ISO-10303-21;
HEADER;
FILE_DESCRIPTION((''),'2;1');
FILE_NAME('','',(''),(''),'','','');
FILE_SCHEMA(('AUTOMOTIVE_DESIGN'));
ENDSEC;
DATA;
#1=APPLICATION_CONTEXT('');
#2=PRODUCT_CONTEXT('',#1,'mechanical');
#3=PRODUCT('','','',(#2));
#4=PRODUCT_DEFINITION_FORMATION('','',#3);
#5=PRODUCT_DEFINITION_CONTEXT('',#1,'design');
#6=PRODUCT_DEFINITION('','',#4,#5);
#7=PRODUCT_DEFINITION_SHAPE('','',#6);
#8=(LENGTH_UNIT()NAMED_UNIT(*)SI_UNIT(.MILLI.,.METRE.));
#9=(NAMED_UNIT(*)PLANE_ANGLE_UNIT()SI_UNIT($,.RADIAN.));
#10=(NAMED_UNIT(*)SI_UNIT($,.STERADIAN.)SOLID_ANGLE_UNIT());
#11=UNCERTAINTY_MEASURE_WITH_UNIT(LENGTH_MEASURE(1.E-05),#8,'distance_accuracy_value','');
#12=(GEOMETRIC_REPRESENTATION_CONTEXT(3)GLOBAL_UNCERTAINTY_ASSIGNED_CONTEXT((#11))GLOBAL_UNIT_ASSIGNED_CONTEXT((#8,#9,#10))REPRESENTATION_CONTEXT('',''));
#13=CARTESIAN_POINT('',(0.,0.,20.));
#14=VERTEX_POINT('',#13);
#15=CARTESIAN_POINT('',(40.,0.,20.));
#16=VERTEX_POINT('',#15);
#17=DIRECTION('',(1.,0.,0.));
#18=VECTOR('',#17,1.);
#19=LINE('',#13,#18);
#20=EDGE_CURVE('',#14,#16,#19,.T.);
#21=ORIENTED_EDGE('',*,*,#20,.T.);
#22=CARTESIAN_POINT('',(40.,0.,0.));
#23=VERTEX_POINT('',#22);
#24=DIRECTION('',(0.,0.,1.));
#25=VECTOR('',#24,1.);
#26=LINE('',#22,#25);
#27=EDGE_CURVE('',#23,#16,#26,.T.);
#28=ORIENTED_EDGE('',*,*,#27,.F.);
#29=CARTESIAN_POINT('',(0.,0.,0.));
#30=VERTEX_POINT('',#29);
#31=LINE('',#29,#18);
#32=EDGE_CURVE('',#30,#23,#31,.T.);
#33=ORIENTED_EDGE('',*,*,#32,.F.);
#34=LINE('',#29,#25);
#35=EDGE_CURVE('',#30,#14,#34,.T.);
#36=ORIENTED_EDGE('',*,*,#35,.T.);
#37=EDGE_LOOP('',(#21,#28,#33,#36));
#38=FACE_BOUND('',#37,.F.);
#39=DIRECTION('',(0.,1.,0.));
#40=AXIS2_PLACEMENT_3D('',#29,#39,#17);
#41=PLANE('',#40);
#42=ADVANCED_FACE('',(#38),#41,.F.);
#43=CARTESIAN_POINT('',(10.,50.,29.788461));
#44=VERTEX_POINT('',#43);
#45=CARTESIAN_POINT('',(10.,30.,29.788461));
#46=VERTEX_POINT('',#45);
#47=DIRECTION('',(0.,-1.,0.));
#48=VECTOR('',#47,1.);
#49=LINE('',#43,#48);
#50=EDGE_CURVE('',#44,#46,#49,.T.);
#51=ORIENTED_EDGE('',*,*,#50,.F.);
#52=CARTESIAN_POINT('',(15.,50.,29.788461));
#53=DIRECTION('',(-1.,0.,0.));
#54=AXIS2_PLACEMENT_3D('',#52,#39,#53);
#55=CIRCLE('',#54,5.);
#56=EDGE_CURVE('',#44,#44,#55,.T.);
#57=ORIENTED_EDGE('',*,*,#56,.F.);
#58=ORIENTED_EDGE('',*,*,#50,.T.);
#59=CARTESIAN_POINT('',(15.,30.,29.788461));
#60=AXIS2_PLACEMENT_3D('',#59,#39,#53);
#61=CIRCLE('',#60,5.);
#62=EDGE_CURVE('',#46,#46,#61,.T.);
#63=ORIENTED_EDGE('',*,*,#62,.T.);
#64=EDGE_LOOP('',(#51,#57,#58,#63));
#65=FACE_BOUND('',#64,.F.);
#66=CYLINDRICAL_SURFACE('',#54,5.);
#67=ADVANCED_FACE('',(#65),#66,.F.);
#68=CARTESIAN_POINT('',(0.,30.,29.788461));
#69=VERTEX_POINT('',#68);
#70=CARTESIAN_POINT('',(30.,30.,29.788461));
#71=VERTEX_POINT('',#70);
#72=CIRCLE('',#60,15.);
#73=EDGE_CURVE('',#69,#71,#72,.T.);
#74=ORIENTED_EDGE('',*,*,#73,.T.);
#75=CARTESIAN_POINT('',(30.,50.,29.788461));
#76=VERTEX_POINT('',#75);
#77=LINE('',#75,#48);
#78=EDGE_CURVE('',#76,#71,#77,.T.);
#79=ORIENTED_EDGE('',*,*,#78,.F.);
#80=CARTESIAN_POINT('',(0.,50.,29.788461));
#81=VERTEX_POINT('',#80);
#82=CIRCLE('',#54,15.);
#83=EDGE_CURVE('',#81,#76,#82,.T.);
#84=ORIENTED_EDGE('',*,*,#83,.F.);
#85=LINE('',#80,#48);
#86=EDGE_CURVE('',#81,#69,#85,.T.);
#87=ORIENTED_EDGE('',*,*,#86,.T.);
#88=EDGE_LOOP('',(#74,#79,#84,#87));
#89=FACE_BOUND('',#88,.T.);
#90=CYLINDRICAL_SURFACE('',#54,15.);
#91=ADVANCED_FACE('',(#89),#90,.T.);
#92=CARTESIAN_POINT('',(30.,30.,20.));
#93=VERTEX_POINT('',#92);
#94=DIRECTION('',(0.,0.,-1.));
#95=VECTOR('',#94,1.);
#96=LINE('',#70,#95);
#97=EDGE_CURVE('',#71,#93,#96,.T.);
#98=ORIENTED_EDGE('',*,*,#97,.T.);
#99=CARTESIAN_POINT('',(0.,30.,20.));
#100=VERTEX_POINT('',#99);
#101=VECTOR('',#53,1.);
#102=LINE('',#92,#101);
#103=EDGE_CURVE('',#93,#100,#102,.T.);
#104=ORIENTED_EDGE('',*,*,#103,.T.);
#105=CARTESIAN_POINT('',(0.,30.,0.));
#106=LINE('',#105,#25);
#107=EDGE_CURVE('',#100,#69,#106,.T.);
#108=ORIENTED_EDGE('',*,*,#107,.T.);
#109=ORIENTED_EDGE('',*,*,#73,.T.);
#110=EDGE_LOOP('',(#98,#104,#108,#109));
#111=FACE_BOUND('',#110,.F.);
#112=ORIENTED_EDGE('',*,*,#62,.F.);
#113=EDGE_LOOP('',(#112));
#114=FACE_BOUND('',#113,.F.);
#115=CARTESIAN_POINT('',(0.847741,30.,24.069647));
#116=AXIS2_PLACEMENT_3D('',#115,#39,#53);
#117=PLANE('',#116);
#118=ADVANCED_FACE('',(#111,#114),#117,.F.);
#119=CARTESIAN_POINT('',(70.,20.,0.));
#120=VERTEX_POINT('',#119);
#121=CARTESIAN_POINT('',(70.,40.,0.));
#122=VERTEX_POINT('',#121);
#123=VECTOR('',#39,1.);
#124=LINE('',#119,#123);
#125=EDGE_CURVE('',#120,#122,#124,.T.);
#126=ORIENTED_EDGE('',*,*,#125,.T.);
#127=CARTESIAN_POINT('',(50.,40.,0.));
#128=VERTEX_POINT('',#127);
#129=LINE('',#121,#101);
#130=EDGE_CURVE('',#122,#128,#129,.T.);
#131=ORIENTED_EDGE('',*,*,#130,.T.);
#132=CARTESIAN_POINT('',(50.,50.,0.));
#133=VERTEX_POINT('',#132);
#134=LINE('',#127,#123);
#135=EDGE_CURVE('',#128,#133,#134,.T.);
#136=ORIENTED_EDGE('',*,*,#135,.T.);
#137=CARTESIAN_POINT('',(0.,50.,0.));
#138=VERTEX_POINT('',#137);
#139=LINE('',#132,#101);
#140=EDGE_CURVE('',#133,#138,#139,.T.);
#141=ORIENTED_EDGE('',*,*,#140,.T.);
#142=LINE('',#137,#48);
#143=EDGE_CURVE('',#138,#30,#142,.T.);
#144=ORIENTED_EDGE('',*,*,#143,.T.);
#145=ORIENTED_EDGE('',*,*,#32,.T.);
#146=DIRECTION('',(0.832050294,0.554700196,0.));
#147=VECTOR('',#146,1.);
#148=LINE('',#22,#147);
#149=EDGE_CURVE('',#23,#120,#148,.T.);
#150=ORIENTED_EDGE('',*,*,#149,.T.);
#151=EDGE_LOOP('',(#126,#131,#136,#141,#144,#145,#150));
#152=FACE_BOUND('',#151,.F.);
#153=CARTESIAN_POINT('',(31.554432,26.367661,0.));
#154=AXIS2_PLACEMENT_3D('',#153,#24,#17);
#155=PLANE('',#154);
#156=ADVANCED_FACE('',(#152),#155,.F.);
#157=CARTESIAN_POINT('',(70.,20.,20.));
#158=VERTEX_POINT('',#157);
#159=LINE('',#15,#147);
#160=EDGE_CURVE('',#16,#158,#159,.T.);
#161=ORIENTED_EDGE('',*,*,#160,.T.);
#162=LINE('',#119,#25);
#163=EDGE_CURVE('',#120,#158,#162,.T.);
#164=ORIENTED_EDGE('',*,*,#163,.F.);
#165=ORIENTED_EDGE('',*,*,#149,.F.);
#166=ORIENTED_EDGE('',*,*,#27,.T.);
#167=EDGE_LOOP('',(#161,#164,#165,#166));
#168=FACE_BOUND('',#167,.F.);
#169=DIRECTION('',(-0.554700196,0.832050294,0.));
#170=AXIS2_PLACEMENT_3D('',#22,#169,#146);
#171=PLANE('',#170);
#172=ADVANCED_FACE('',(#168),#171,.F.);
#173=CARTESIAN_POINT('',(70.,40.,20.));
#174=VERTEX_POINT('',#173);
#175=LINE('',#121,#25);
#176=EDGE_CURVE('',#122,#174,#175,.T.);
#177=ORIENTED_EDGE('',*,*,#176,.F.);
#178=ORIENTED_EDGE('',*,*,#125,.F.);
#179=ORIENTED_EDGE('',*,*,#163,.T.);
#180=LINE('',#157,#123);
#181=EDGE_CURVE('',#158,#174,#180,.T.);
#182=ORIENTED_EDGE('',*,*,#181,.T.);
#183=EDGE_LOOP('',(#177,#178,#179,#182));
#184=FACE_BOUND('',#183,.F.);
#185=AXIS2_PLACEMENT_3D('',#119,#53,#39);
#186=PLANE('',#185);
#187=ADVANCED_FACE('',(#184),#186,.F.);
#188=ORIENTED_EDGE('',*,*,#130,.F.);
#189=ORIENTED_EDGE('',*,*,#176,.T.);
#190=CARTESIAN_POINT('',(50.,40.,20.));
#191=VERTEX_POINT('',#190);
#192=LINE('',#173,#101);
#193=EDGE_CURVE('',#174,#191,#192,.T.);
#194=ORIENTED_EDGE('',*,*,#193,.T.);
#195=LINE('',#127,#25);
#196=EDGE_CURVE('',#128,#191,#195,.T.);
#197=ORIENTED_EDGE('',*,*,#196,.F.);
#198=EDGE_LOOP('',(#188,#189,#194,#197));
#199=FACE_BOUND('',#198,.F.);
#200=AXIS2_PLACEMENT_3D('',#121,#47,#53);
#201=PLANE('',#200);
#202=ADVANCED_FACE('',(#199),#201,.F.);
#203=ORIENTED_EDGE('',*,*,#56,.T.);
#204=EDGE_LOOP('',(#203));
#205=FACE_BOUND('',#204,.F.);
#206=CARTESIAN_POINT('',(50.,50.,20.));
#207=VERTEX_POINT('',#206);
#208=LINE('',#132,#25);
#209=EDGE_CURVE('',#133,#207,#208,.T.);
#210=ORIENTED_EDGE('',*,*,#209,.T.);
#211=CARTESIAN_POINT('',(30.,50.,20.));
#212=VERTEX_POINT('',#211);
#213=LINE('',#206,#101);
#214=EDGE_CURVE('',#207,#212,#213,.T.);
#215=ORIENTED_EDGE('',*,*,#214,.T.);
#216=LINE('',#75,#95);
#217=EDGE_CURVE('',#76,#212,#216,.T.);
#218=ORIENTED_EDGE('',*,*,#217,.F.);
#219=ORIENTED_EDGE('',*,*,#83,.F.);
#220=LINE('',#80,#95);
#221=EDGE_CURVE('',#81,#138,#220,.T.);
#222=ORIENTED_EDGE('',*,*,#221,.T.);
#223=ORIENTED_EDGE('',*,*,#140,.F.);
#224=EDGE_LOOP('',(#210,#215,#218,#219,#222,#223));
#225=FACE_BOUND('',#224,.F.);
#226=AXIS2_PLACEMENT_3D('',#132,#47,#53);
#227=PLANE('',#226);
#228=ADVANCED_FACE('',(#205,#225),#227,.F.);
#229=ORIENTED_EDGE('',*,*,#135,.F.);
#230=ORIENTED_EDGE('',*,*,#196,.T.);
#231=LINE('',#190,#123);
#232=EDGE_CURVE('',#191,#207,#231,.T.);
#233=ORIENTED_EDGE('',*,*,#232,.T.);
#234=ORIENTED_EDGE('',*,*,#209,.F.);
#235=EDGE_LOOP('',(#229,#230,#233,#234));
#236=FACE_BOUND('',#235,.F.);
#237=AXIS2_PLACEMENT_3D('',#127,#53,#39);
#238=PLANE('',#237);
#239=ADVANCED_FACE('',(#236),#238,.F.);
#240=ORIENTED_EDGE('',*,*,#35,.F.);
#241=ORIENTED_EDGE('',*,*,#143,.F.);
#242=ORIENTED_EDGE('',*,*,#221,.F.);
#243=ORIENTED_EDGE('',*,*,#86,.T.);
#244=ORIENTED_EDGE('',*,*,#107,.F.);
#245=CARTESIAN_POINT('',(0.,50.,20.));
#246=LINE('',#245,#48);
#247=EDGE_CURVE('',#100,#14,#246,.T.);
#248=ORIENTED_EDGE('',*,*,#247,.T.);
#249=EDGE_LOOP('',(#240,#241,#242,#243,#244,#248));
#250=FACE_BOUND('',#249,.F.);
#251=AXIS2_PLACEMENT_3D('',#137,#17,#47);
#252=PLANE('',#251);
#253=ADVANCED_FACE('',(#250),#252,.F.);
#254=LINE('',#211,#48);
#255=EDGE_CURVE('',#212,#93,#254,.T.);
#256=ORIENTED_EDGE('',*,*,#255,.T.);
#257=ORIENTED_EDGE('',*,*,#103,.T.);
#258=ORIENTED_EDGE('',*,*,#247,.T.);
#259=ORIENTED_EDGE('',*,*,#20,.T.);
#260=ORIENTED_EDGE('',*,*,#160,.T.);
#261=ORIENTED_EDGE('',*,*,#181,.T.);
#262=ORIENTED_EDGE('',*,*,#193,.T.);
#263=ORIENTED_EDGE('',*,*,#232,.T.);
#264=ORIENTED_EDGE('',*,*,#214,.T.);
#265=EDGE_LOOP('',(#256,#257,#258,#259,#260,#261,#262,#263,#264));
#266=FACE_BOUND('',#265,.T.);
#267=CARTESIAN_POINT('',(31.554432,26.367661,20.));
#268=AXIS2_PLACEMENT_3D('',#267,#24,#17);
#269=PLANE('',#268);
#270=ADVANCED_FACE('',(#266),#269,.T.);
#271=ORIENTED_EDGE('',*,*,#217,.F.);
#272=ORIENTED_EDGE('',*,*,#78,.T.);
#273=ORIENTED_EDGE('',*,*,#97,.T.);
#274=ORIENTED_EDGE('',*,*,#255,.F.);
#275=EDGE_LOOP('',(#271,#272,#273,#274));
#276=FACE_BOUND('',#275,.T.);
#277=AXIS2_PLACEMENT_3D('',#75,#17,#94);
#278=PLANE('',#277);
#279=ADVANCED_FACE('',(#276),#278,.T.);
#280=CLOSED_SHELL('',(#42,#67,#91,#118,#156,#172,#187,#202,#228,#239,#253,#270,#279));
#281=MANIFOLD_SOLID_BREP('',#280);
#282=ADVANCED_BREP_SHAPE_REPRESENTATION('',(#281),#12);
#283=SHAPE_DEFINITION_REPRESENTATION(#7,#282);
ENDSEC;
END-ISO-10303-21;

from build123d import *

# Parameters (mm, degrees)
F1_DEPTH = 20
F3_DEPTH = 20
F4_R     = 5
F5_DEPTH = 20


with BuildPart() as f1:
    # F0 (on Top) → F1 (new body)
    with BuildSketch(Plane.XY):
        Polygon((0, 50), (0, 0), (40, 0), (70, 20), (70, 40), (50, 40), (50, 50), align=None)
    extrude(amount=F1_DEPTH)

    # F2 (on face) → F3 (join)
    with BuildSketch(Plane(origin=(0, 50, 0), x_dir=(-1, 0, 0), z_dir=(0, 1, 0))):
        with BuildLine():
            Line((-3.633996, 20), (0, 20))
            Line((0, 20), (0, 29.788461))
            ThreePointArc((0, 29.788461), (-0.937816, 24.567831), (-3.633996, 20))
        make_face()
        with BuildLine():
            ThreePointArc((-26.366004, 20), (-29.062184, 24.567831), (-30, 29.788461))
            Line((-30, 29.788461), (-30, 20))
            Line((-30, 20), (-26.366004, 20))
        make_face()
        with BuildLine():
            Line((0, 0), (0, 20))
            Line((0, 20), (-3.633996, 20))
            ThreePointArc((-3.633996, 20), (-15, 14.788461), (-26.366004, 20))
            Line((-26.366004, 20), (-30, 20))
            Line((-30, 20), (-50, 20))
            Line((-50, 20), (-50, 0))
            Line((-50, 0), (0, 0))
        make_face()
        with BuildLine():
            Line((-30, 29.788461), (0, 29.788461))
            ThreePointArc((0, 29.788461), (-15, 44.788461), (-30, 29.788461))
        make_face()
        with BuildLine():
            ThreePointArc((-3.633996, 20), (-0.937816, 24.567831), (0, 29.788461))
            Line((0, 29.788461), (-30, 29.788461))
            ThreePointArc((-30, 29.788461), (-29.062184, 24.567831), (-26.366004, 20))
            Line((-26.366004, 20), (-3.633996, 20))
        make_face()
    extrude(amount=-F3_DEPTH)

    # F4 (on face) → F5 (cut, through all)
    with BuildSketch(Plane(origin=(0, 50, 0), x_dir=(-1, 0, 0), z_dir=(0, 1, 0))):
        with Locations((-15, 29.788461)):
            Circle(F4_R)
    extrude(amount=-F5_DEPTH, mode=Mode.SUBTRACT)


solid = f1.part
